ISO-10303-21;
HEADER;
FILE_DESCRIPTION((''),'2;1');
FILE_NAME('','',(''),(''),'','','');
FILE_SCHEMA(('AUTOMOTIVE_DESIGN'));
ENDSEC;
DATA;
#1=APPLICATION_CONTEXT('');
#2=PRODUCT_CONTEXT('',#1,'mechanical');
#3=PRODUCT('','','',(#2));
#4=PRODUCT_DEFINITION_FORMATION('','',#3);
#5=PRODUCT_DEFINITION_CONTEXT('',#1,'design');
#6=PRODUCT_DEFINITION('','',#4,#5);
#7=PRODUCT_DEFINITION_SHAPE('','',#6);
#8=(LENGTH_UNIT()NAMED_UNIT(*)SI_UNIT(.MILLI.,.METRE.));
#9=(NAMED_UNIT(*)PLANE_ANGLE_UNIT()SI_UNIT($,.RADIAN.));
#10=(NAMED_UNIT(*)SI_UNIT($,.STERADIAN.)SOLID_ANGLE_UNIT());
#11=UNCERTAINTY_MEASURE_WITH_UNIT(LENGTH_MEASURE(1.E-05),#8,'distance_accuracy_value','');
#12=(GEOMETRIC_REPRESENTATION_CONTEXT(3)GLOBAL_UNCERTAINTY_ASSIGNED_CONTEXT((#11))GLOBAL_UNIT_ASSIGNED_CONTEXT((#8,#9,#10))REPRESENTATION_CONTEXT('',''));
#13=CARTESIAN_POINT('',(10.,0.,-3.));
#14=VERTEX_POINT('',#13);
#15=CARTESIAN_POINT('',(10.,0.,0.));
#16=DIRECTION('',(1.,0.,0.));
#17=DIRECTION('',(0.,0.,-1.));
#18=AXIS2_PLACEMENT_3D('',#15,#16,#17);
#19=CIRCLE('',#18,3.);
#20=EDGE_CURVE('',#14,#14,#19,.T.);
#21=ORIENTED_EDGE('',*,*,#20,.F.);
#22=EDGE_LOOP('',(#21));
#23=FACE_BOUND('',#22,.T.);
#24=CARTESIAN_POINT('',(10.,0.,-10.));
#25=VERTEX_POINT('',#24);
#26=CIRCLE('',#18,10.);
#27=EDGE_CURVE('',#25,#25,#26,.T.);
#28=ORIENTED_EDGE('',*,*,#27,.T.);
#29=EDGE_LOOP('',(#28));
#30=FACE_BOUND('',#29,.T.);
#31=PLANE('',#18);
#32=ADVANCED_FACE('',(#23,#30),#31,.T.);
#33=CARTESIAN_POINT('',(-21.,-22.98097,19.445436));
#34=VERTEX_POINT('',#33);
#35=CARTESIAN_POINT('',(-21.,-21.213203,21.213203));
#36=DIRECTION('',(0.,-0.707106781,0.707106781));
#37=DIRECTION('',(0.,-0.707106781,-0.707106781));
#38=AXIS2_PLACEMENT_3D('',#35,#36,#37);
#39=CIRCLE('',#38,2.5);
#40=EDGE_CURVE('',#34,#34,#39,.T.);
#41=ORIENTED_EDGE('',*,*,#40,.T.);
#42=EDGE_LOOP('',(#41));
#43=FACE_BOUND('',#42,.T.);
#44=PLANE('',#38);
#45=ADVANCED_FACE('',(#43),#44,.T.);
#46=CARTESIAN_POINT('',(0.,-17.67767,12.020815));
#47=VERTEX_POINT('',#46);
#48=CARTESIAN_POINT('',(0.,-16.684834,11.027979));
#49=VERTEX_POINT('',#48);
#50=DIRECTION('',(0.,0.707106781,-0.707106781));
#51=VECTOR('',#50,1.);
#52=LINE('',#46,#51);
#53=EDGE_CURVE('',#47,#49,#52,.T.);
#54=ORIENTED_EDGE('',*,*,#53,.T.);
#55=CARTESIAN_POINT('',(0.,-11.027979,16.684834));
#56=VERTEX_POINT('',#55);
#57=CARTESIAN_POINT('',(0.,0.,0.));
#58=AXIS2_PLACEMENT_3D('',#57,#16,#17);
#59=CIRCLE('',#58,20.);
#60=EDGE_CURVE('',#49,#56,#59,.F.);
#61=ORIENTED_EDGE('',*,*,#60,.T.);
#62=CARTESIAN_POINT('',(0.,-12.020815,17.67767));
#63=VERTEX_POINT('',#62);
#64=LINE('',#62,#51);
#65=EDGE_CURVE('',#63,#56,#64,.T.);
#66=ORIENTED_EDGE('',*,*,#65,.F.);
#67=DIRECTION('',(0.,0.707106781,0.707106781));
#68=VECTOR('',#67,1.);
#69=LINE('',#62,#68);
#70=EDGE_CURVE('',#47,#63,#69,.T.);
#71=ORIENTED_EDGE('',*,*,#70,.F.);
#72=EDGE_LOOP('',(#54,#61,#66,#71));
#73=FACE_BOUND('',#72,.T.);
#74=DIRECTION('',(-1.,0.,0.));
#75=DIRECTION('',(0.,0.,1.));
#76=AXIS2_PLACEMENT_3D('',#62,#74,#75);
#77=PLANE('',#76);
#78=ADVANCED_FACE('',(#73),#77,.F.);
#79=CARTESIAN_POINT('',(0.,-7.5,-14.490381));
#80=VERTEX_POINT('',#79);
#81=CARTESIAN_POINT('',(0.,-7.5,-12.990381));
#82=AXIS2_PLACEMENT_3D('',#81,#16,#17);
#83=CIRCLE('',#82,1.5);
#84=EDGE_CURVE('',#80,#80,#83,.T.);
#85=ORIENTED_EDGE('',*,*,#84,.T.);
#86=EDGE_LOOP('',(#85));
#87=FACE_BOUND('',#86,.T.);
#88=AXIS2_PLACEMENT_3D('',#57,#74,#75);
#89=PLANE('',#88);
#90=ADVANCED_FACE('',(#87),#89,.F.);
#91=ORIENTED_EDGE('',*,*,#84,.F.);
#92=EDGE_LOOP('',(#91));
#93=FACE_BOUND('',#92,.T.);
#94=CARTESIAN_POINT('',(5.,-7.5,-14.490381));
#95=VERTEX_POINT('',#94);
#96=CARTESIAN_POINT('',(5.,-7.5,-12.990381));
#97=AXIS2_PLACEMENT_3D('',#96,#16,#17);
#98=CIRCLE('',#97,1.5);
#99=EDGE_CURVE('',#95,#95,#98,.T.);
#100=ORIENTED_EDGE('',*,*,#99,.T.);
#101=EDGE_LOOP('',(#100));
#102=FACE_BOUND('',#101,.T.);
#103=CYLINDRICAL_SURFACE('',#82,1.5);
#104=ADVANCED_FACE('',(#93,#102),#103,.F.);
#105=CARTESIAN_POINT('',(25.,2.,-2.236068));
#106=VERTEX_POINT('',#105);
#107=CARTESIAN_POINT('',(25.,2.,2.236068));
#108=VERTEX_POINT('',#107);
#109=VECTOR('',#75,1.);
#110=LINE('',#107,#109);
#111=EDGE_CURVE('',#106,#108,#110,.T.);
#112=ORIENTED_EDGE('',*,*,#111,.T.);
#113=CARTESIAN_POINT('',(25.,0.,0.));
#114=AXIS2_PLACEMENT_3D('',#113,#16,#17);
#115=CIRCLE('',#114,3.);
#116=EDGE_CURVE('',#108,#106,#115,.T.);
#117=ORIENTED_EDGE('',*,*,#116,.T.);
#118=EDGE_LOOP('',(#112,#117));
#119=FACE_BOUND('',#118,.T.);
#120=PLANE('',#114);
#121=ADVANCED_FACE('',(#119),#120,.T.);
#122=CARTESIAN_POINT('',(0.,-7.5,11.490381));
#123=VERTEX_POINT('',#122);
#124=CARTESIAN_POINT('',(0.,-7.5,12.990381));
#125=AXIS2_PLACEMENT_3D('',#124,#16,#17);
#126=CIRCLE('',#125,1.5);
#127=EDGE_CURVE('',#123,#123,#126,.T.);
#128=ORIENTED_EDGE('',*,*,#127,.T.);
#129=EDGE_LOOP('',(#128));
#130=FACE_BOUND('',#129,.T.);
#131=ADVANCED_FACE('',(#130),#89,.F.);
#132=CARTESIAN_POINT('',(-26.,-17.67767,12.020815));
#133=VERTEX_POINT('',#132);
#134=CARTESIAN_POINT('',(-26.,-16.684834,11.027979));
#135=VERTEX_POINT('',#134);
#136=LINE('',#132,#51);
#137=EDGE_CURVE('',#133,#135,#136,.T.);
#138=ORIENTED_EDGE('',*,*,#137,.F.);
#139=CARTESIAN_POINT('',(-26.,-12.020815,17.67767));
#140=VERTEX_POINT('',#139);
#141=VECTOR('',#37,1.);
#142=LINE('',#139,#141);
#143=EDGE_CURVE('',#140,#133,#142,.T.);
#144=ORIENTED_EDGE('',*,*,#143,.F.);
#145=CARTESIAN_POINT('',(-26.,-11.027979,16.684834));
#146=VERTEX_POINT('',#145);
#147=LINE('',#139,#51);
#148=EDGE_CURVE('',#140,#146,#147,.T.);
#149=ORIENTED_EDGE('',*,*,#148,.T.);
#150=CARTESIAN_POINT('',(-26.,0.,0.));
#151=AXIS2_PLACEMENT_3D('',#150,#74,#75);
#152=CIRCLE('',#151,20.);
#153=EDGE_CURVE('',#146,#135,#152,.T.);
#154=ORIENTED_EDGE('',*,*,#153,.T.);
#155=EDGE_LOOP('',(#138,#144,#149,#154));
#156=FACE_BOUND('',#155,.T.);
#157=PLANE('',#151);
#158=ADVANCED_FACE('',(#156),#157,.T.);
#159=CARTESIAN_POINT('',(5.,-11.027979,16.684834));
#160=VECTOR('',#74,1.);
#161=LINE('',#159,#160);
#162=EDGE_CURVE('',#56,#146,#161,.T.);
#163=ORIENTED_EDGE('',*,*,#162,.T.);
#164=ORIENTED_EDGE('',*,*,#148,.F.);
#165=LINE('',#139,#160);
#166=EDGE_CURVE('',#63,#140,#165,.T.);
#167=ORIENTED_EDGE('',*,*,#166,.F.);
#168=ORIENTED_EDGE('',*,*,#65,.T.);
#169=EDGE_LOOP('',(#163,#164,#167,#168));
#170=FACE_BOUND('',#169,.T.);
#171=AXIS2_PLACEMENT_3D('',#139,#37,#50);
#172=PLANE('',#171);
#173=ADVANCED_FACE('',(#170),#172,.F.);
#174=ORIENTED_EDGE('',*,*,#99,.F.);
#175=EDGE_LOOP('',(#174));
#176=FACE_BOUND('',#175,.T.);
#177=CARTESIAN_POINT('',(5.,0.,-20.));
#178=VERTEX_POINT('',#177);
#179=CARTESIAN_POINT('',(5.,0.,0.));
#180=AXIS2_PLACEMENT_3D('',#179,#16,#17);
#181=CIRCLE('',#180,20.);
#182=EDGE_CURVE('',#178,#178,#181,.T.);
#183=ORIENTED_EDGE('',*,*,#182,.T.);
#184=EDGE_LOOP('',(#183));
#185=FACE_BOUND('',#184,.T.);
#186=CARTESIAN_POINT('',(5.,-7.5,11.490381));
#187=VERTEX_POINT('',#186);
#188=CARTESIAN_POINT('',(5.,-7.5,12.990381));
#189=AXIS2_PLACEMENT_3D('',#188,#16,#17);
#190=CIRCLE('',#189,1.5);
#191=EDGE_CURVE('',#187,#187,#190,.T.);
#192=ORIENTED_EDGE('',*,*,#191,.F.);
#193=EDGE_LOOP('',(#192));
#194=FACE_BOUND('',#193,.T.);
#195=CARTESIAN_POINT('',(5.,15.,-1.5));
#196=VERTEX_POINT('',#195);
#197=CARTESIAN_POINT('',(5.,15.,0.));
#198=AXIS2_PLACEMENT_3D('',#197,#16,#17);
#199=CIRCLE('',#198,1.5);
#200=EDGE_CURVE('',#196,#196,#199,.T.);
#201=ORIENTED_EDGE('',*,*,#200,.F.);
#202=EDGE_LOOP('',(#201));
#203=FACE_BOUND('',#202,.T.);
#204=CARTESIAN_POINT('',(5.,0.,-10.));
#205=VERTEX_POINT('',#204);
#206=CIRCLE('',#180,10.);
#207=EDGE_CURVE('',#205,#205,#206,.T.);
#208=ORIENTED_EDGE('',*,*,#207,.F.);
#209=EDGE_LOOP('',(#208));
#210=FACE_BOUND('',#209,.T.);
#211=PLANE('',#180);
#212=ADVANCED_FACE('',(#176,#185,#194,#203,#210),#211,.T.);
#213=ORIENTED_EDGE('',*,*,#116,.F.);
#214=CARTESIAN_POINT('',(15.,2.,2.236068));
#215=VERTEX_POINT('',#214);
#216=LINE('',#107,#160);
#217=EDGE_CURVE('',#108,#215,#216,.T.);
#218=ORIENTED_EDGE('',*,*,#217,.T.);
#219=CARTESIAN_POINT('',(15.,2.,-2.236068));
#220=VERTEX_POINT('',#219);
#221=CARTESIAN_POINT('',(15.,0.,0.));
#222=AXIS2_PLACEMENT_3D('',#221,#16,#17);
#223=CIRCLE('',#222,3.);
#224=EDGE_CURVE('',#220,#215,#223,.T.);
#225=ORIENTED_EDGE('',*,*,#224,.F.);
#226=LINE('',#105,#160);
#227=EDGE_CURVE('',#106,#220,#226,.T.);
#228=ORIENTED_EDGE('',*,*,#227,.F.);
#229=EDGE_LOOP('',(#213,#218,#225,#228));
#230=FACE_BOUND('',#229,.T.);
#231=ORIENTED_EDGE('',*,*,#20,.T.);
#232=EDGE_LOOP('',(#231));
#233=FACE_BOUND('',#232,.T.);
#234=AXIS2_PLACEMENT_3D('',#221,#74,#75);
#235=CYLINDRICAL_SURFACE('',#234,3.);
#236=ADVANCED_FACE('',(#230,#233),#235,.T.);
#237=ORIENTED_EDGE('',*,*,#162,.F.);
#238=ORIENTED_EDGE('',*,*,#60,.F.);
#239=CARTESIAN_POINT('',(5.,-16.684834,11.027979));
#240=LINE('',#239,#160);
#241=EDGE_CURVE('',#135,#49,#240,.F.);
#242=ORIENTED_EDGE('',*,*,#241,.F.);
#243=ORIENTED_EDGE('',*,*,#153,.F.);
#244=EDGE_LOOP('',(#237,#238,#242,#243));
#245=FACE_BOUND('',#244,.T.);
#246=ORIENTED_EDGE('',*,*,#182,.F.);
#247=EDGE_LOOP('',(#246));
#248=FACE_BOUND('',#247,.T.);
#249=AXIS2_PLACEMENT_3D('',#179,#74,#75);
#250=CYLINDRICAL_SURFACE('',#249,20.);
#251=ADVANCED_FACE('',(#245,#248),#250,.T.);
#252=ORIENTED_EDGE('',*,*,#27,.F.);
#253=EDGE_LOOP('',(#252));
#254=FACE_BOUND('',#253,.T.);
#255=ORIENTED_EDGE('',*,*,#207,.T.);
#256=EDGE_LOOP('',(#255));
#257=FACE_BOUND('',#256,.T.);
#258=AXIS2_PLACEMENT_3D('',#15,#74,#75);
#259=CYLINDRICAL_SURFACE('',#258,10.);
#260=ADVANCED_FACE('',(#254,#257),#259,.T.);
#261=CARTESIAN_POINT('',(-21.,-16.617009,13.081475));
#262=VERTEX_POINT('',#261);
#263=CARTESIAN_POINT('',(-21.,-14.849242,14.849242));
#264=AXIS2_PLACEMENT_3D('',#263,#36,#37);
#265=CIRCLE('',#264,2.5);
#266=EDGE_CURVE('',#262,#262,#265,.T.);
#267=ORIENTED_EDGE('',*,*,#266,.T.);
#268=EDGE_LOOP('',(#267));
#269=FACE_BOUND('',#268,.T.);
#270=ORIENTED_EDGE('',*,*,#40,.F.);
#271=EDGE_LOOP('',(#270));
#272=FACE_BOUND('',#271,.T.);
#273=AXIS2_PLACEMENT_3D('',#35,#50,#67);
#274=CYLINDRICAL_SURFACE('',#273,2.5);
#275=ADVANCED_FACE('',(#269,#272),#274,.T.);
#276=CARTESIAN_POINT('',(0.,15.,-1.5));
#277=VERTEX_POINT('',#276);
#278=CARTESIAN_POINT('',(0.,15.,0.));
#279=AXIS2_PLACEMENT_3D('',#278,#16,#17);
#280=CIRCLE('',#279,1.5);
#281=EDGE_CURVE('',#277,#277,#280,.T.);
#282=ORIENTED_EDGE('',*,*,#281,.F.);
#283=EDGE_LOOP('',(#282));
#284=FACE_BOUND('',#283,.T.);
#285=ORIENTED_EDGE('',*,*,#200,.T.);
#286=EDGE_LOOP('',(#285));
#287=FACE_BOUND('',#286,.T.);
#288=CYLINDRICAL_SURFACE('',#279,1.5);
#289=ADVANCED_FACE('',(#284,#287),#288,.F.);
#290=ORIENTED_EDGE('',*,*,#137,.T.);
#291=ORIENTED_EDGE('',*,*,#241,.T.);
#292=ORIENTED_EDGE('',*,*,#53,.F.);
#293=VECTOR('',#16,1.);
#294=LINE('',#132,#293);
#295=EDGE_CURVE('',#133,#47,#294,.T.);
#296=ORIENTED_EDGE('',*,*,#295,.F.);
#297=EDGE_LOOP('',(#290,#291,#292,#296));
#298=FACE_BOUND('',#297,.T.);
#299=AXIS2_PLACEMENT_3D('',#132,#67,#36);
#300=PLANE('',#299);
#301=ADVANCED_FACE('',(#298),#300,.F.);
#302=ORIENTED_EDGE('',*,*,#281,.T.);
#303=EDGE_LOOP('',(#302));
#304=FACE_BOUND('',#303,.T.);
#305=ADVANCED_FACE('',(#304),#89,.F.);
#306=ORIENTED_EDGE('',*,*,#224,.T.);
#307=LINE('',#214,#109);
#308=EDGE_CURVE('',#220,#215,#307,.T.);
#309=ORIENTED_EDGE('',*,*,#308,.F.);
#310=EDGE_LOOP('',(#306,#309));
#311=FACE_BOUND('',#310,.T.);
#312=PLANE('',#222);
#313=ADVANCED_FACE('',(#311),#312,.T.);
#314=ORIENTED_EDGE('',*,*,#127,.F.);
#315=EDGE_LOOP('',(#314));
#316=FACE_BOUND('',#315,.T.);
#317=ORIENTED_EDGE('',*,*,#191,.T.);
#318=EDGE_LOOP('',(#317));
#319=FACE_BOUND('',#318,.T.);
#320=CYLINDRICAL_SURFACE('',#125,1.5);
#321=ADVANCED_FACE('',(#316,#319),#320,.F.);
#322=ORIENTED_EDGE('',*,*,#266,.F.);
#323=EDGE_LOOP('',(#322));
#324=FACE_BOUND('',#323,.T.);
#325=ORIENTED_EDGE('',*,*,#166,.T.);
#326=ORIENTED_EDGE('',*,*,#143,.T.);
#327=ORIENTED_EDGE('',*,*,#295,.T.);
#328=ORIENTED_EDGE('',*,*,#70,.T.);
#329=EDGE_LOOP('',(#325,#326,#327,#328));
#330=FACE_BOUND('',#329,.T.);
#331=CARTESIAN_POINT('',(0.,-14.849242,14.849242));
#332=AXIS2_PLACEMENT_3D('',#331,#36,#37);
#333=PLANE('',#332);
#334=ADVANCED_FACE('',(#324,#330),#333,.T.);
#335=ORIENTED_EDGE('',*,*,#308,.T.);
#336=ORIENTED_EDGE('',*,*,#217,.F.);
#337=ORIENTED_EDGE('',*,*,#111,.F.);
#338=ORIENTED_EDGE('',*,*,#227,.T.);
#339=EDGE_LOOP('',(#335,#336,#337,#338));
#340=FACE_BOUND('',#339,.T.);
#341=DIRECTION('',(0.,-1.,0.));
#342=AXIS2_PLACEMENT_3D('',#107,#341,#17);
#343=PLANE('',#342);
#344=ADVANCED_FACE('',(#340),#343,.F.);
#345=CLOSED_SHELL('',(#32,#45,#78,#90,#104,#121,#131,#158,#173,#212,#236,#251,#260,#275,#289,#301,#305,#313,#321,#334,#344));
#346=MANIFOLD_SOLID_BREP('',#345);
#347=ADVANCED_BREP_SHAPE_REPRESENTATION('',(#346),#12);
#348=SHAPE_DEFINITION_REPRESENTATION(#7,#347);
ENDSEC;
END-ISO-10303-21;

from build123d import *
from build123d.topology import SkipClean

# Parameters (mm, degrees)
SKETCH_1_R                       = 20
EXTRUDE_1_DEPTH                  = 5
SKETCH_2_R                       = 10
EXTRUDE_2_DEPTH                  = 5
SKETCH_3_R                       = 1.5
CUT_EXTRUDE_1_DEPTH              = 5
SKETCH_4_R                       = 3
EXTRUDE_3_DEPTH                  = 5
EXTRUDE_4_DEPTH                  = 10
EXTRUDE_START                    = 26
SKETCH_6_R                       = 20
EXTRUDE_5_DEPTH                  = 26
SKETCH_8_R                       = 2.5
EXTRUDE_6_DEPTH                  = 10
EXTRUDE_6_DIRECTION_2_REACH      = 56.84
EXTRUDE_6_DIRECTION_2_END_RADIUS = 20
SKETCH_9_W                       = 26
SKETCH_9_H                       = 8
EXTRUDE_7_DEPTH                  = 1
EXTRUDE_7_DIRECTION_2_REACH      = 56.84
EXTRUDE_7_DIRECTION_2_END_RADIUS = 20


with BuildPart() as part:
    # Эскиз1 → Бобышка-Вытянуть1 (new body)
    with BuildSketch(Plane(origin=(0, 0, 0), x_dir=(0, 0, -1), z_dir=(1, 0, 0))):
        Circle(SKETCH_1_R)
    extrude(amount=EXTRUDE_1_DEPTH)

    # Эскиз2 → Бобышка-Вытянуть2 (add)
    with BuildSketch(Plane(origin=(5, 0, 0), x_dir=(0, 0, -1), z_dir=(1, 0, 0))):
        Circle(SKETCH_2_R)
    extrude(amount=EXTRUDE_2_DEPTH)

    # Эскиз3 → Вырез-Вытянуть1 (cut)
    with BuildSketch(Plane(origin=(5, 0, 0), x_dir=(0, 0, -1), z_dir=(1, 0, 0))):
        with Locations((0, 15)):
            Circle(SKETCH_3_R)
        with Locations((12.990381057, -7.5)):
            Circle(SKETCH_3_R)
        with Locations((-12.990381057, -7.5)):
            Circle(SKETCH_3_R)
    extrude(amount=-CUT_EXTRUDE_1_DEPTH, mode=Mode.SUBTRACT)

    # Эскиз4 → Бобышка-Вытянуть3 (add)
    with BuildSketch(Plane(origin=(10, 0, 0), x_dir=(0, 0, -1), z_dir=(1, 0, 0))):
        Circle(SKETCH_4_R)
    extrude(amount=EXTRUDE_3_DEPTH)

    # Эскиз5 → Бобышка-Вытянуть4 (add)
    with BuildSketch(Plane(origin=(15, 0, 0), x_dir=(0, 0, -1), z_dir=(1, 0, 0))):
        with BuildLine():
            Line((-2.236067977, 2), (2.236067977, 2))
            ThreePointArc((2.236067977, 2), (0, -3), (-2.236067977, 2))
        make_face()
    extrude(amount=EXTRUDE_4_DEPTH)

    # Эскиз6 → Бобышка-Вытянуть5 (add)
    with BuildSketch(Plane.ZY.offset(EXTRUDE_START)):
        Circle(SKETCH_6_R)
    extrude(amount=-EXTRUDE_5_DEPTH)

    # Эскиз8 → Бобышка-Вытянуть6 (add)
    with BuildSketch(Plane(origin=(0, -14.142135624, 14.142135624), x_dir=(-1, 0, 0), z_dir=(0, -0.7071067811865511, 0.707106781186544))):
        with Locations(Location((21, 0, 0), (0, 0, 270))):
            Circle(SKETCH_8_R)
    extrude(amount=EXTRUDE_6_DEPTH)

    # Бобышка-Вытянуть6 direction 2: up to this cylinder (the profile starts outside it)
    with SkipClean():  # the faces are left unmerged after this step: merging them gives an invalid solid
        extrude_6_direction_2_end = Plane(origin=(-21, 0, 0), z_dir=(-1, 0, 0)) * Cylinder(EXTRUDE_6_DIRECTION_2_END_RADIUS, 154.68, mode=Mode.PRIVATE)
        # Эскиз8 → Бобышка-Вытянуть6 direction 2 (add, up to the surface)
        with BuildSketch(Plane(origin=(0, -14.142135624, 14.142135624), x_dir=(-1, 0, 0), z_dir=(0, -0.7071067811865511, 0.707106781186544)), mode=Mode.PRIVATE) as extrude_6_direction_2_sk1:
            with Locations(Location((21, 0, 0), (0, 0, 270))):
                Circle(SKETCH_8_R)
        extrude_6_direction_2_tool1 = extrude(extrude_6_direction_2_sk1.sketch, amount=-EXTRUDE_6_DIRECTION_2_REACH, mode=Mode.PRIVATE) - extrude_6_direction_2_end
        add(extrude_6_direction_2_tool1.solids().sort_by_distance((-21, -14.142136, 14.142136))[0])
        add(extrude_6_direction_2_tool1.solids().sort_by_distance((-21, -14.142136, 14.142136))[1])

    # Эскиз9 → Бобышка-Вытянуть7 (add)
    with SkipClean():  # the faces are left unmerged after this step: merging them gives an invalid solid
        with BuildSketch(Plane(origin=(0, -14.142135624, 14.142135624), x_dir=(-1, 0, 0), z_dir=(0, -0.7071067811865511, 0.707106781186544))):
            with Locations((13, 0)):
                Rectangle(SKETCH_9_W, SKETCH_9_H)
        extrude(amount=EXTRUDE_7_DEPTH)

    # Бобышка-Вытянуть7 direction 2: up to this cylinder (the profile starts outside it)
    with SkipClean():  # the faces are left unmerged after this step: merging them gives an invalid solid
        extrude_7_direction_2_end = Plane(origin=(-13, 0, 0), z_dir=(-1, 0, 0)) * Cylinder(EXTRUDE_7_DIRECTION_2_END_RADIUS, 154.68, mode=Mode.PRIVATE)
        # Эскиз9 → Бобышка-Вытянуть7 direction 2 (add, up to the surface)
        with BuildSketch(Plane(origin=(0, -14.142135624, 14.142135624), x_dir=(-1, 0, 0), z_dir=(0, -0.7071067811865511, 0.707106781186544)), mode=Mode.PRIVATE) as extrude_7_direction_2_sk1:
            with Locations((13, 0)):
                Rectangle(SKETCH_9_W, SKETCH_9_H)
        extrude_7_direction_2_tool1 = extrude(extrude_7_direction_2_sk1.sketch, amount=-EXTRUDE_7_DIRECTION_2_REACH, mode=Mode.PRIVATE) - extrude_7_direction_2_end
        add(extrude_7_direction_2_tool1.solids().sort_by_distance((-13, -14.142136, 14.142136))[0])
        add(extrude_7_direction_2_tool1.solids().sort_by_distance((-13, -14.142136, 14.142136))[1])


solid = part.part
